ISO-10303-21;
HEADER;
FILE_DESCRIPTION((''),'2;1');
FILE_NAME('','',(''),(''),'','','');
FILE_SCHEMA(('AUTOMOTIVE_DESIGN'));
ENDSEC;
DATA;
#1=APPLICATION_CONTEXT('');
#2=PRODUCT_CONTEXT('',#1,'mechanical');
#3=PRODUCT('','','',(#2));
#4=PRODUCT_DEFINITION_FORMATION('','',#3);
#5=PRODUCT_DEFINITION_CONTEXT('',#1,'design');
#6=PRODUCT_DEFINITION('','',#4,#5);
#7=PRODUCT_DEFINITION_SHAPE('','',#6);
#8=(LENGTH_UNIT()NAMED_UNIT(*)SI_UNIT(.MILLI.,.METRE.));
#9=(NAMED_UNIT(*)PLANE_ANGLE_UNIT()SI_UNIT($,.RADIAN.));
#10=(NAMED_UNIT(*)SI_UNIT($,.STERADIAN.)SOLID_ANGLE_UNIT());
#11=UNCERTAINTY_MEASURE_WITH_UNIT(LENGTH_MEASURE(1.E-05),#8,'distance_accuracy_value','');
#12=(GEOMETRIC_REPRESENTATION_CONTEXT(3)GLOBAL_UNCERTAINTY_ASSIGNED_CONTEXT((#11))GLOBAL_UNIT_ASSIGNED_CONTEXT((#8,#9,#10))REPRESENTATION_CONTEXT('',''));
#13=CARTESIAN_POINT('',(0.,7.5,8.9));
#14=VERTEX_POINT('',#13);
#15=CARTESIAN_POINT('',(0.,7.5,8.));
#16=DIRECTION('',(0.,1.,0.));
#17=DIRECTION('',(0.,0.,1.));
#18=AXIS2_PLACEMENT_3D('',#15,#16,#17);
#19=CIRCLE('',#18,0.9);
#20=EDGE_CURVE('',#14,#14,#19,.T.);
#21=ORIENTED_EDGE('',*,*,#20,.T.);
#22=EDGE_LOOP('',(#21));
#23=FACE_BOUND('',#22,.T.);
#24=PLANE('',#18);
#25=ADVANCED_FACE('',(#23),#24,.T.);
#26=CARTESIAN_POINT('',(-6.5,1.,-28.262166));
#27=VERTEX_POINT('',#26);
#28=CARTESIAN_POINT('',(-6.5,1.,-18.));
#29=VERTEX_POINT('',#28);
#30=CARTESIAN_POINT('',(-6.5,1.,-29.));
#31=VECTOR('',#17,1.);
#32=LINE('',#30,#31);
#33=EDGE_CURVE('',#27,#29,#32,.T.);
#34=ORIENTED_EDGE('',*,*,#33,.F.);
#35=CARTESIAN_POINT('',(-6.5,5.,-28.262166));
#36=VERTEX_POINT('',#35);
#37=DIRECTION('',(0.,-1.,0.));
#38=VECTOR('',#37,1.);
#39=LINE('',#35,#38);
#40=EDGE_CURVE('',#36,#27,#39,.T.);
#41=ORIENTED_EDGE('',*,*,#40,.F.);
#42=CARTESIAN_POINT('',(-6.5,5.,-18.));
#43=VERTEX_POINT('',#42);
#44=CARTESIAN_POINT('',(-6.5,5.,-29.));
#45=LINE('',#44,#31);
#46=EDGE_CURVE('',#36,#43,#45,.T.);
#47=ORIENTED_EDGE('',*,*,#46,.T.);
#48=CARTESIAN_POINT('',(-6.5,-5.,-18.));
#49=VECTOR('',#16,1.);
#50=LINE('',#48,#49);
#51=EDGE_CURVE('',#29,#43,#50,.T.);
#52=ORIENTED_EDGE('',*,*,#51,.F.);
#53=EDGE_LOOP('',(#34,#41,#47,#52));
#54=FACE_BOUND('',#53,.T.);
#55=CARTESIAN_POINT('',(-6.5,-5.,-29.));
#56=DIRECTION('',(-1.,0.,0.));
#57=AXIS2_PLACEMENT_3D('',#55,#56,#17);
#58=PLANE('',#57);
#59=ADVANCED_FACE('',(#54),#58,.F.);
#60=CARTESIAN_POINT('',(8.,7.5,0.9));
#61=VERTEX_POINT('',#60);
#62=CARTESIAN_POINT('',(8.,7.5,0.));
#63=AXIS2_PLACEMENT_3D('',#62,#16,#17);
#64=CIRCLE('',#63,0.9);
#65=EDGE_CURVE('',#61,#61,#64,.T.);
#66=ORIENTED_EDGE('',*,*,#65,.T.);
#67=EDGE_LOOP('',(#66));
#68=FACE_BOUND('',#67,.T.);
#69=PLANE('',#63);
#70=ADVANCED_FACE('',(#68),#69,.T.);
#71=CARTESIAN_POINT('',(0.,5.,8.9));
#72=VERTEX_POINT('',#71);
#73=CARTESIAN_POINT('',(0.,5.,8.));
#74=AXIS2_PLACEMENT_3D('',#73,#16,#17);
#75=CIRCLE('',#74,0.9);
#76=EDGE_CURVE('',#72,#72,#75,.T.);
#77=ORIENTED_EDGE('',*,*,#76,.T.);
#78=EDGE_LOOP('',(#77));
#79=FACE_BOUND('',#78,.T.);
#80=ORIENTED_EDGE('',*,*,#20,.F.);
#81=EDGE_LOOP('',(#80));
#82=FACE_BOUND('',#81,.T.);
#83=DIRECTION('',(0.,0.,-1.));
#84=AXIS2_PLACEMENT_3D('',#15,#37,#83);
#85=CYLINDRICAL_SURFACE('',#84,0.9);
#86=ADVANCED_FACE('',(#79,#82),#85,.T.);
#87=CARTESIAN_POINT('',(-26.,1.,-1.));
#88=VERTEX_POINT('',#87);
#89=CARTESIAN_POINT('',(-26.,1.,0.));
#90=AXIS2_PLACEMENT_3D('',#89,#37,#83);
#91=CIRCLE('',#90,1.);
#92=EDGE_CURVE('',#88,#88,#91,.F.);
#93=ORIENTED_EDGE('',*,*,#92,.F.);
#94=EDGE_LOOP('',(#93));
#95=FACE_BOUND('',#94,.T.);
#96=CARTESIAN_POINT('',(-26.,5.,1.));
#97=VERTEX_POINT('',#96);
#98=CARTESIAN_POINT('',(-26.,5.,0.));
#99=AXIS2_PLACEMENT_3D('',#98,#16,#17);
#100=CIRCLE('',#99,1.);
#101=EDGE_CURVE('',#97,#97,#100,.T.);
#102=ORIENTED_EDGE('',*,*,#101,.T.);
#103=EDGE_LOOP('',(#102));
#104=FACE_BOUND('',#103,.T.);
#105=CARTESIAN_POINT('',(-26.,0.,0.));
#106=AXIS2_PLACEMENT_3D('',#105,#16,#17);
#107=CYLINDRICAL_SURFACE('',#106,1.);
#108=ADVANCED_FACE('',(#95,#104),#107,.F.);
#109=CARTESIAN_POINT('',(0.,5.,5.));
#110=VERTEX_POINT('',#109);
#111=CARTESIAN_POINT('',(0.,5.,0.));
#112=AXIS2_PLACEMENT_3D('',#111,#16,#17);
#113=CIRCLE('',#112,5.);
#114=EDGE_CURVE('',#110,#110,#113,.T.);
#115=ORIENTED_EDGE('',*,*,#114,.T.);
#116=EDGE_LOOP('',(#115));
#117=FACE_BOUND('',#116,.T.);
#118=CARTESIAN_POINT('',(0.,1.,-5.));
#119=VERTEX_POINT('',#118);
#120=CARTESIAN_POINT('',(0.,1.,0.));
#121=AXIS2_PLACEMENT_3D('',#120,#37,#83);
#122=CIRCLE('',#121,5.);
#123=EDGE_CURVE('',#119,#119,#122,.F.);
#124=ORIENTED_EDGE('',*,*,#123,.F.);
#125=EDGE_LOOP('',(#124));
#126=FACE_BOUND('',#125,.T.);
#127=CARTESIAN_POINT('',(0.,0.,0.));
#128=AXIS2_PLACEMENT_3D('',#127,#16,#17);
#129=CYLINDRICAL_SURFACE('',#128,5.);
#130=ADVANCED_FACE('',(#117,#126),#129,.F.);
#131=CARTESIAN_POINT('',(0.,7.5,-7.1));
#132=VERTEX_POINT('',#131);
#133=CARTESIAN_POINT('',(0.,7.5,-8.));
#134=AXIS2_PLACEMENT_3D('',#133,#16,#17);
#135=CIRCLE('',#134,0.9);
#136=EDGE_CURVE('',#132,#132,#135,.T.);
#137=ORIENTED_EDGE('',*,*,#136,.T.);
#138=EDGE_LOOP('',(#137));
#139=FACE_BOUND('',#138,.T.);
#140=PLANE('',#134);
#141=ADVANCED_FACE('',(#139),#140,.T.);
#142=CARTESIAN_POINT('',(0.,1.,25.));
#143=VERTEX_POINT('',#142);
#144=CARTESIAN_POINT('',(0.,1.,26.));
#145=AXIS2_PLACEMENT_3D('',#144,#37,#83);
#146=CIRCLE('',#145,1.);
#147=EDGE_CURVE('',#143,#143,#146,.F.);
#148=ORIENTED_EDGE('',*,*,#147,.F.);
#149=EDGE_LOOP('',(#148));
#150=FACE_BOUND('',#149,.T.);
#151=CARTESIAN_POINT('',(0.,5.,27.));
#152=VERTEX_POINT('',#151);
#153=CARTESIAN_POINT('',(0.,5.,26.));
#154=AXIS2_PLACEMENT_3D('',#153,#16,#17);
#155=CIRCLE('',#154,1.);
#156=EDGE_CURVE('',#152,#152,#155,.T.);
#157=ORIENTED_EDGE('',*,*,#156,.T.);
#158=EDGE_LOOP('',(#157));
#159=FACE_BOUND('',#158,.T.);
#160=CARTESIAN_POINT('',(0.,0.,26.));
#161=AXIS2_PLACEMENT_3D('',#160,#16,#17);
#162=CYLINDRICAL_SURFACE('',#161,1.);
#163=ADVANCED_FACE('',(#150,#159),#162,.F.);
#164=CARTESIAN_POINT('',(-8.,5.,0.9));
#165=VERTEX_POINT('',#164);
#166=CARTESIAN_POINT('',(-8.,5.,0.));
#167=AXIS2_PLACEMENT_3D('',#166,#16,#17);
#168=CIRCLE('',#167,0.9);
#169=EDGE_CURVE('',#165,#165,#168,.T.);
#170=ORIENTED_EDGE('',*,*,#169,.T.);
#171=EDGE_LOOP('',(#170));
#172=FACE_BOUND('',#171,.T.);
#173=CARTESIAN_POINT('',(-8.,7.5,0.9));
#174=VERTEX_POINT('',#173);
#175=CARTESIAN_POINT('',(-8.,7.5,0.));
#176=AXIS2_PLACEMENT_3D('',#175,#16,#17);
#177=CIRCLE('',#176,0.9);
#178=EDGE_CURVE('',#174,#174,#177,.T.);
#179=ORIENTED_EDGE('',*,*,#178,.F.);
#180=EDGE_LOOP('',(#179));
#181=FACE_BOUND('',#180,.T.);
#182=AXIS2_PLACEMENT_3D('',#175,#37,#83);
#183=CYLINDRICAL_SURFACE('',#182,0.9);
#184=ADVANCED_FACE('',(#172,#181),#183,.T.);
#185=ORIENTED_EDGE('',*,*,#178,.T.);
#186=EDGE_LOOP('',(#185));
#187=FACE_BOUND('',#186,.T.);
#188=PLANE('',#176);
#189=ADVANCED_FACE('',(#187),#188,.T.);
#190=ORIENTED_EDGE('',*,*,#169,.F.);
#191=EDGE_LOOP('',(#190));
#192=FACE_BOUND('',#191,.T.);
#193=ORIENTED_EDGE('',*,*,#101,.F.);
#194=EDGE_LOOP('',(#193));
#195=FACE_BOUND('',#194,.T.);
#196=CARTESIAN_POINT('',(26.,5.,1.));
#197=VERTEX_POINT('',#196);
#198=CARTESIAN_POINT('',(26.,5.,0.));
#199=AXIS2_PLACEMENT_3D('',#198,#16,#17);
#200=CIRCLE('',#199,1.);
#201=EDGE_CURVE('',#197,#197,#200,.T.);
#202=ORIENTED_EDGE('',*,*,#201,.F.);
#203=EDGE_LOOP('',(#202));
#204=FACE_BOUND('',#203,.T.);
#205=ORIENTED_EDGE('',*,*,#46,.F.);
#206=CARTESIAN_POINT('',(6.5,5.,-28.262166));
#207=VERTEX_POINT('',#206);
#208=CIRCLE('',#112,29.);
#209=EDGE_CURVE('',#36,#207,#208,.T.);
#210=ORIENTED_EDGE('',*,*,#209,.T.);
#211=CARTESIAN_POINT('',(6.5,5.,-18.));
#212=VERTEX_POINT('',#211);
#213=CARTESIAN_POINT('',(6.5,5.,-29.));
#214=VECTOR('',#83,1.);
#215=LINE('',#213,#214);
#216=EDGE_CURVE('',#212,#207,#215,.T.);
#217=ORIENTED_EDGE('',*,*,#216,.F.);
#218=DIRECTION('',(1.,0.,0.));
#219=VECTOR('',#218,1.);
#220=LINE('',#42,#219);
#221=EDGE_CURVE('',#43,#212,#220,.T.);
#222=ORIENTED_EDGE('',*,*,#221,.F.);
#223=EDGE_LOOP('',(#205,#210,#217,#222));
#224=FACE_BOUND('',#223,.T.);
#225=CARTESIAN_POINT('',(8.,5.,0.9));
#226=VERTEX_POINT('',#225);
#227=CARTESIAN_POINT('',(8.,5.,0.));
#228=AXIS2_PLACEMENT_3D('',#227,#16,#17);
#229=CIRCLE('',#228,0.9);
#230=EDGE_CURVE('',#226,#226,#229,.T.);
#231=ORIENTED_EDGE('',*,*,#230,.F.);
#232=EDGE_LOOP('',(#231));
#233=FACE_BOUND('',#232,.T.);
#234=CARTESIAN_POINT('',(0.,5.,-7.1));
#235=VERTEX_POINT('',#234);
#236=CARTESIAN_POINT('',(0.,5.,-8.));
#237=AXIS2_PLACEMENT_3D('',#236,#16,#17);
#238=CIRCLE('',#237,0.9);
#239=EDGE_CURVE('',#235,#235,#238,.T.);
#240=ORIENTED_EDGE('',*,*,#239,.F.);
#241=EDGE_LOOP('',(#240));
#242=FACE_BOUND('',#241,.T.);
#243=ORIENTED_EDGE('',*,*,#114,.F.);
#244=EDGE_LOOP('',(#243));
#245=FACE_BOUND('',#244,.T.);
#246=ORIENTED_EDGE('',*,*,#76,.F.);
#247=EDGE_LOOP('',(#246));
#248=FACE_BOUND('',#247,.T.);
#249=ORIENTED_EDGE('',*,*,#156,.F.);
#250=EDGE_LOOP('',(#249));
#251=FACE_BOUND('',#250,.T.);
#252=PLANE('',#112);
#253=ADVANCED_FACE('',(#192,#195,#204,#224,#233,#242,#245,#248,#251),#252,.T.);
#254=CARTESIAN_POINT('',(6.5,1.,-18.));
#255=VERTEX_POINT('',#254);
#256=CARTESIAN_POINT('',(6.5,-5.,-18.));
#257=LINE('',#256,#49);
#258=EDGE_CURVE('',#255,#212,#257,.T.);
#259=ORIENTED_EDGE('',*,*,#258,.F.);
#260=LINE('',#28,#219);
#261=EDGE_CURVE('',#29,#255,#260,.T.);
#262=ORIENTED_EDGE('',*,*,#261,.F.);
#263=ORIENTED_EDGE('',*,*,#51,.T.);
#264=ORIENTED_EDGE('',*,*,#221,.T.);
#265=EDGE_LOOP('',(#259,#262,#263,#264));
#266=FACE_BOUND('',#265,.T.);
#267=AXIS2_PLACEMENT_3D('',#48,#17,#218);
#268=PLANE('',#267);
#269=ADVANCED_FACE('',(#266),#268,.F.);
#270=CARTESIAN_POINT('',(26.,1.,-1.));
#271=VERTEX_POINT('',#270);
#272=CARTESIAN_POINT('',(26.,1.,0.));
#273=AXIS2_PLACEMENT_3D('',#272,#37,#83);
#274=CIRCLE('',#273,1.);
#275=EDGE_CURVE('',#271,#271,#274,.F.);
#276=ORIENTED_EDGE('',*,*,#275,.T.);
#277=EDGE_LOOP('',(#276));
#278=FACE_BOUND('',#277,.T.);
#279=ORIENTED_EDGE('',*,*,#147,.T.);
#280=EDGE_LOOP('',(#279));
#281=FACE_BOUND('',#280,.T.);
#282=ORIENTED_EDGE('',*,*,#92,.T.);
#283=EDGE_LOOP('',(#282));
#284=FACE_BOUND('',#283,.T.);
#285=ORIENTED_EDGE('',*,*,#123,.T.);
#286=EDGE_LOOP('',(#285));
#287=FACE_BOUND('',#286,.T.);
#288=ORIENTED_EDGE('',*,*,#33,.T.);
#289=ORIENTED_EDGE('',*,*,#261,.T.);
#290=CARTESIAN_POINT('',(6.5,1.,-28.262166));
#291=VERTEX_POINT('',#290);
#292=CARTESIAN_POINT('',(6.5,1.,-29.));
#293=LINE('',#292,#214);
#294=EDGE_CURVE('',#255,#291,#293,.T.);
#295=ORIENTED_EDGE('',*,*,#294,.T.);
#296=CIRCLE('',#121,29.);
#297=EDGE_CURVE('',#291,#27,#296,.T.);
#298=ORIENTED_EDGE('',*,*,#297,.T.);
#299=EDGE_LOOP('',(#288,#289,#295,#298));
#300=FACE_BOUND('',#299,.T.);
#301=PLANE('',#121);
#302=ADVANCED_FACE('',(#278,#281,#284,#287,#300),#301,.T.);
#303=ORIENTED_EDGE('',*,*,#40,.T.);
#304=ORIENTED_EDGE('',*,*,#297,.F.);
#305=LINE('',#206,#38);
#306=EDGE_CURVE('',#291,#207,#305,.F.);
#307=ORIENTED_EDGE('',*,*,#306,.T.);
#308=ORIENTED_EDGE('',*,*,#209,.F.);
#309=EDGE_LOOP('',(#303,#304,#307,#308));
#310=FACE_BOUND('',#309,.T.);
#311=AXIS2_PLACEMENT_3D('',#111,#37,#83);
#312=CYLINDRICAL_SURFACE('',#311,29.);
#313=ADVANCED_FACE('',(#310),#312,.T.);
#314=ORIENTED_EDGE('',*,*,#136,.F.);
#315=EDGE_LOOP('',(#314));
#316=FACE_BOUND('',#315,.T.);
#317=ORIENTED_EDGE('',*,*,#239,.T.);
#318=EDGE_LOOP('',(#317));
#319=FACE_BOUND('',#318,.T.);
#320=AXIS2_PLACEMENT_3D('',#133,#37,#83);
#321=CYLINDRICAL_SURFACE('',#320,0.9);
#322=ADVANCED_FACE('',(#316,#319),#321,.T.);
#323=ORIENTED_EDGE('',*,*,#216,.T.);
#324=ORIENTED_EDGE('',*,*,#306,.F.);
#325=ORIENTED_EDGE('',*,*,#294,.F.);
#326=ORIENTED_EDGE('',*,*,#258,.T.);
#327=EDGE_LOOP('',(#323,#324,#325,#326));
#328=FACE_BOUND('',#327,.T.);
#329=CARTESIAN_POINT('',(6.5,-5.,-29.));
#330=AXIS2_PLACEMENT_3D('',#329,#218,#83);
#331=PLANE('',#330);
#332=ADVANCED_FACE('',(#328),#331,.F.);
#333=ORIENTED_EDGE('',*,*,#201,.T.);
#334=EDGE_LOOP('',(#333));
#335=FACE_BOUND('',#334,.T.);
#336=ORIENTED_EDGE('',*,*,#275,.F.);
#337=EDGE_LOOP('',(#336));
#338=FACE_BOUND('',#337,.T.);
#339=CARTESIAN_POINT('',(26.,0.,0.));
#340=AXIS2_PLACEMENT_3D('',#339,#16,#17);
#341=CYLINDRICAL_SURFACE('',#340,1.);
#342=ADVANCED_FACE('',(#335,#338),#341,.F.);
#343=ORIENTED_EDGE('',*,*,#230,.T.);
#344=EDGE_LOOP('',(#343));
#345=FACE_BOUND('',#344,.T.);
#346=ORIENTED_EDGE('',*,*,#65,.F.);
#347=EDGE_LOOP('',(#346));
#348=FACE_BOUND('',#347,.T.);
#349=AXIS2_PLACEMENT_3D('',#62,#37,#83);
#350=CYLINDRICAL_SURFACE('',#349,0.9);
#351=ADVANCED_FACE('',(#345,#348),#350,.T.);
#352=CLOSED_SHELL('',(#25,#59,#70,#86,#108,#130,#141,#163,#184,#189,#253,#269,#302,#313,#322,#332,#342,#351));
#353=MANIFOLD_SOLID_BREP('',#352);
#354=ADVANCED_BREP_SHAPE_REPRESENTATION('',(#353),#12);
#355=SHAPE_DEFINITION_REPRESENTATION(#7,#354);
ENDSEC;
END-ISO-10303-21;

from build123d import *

# Parameters (mm, degrees)
SKETCH1_R           = 29
BOSS_EXTRUDE1_DEPTH = 5
SKETCH3_W           = 13
SKETCH3_H           = 11
CUT_EXTRUDE1_DEPTH  = 10
SKETCH4_R           = 0.9
BOSS_EXTRUDE2_DEPTH = 2.5
SKETCH7_R           = 5
CUT_EXTRUDE4_DEPTH  = 5
SKETCH11_R          = 1
CUT_EXTRUDE6_DEPTH  = 5
SKETCH12_R          = 29
CUT_EXTRUDE7_DEPTH  = 1


with BuildPart() as part:
    # Sketch1 → Boss-Extrude1 (new body)
    with BuildSketch(Plane(origin=(0, 0, 0), x_dir=(1, 0, 0), z_dir=(0, 1, 0))):
        with Locations(Location((0, 0, 0), (0, 0, 270))):
            Circle(SKETCH1_R)
    extrude(amount=BOSS_EXTRUDE1_DEPTH)

    # Sketch3 → Cut-Extrude1 (cut)
    with BuildSketch(Plane(origin=(0, 5, 0), x_dir=(1, 0, 0), z_dir=(0, 1, 0))):
        with Locations((0, 23.5)):
            Rectangle(SKETCH3_W, SKETCH3_H)
    extrude(amount=-CUT_EXTRUDE1_DEPTH, mode=Mode.SUBTRACT)

    # Sketch4 → Boss-Extrude2 (add)
    with BuildSketch(Plane(origin=(0, 5, 0), x_dir=(1, 0, 0), z_dir=(0, 1, 0))):
        with Locations(Location((8, 0, 0), (0, 0, 270))):
            Circle(SKETCH4_R)
        with Locations(Location((-8, 0, 0), (0, 0, 270))):
            Circle(SKETCH4_R)
        with Locations(Location((0, 8, 0), (0, 0, 270))):
            Circle(SKETCH4_R)
        with Locations(Location((0, -8, 0), (0, 0, 270))):
            Circle(SKETCH4_R)
    extrude(amount=BOSS_EXTRUDE2_DEPTH)

    # Sketch7 → Cut-Extrude4 (cut)
    with BuildSketch(Plane(origin=(0, 5, 0), x_dir=(1, 0, 0), z_dir=(0, 1, 0))):
        with Locations(Location((0, 0, 0), (0, 0, 270))):
            Circle(SKETCH7_R)
    extrude(amount=-CUT_EXTRUDE4_DEPTH, mode=Mode.SUBTRACT)

    # Sketch11 → Cut-Extrude6 (cut)
    with BuildSketch(Plane(origin=(0, 5, 0), x_dir=(1, 0, 0), z_dir=(0, 1, 0))):
        with Locations(Location((-26, 0, 0), (0, 0, 270))):
            Circle(SKETCH11_R)
        with Locations(Location((0, -26, 0), (0, 0, 270))):
            Circle(SKETCH11_R)
        with Locations(Location((26, 0, 0), (0, 0, 270))):
            Circle(SKETCH11_R)
    extrude(amount=-CUT_EXTRUDE6_DEPTH, mode=Mode.SUBTRACT)

    # Sketch12 → Cut-Extrude7 (cut)
    with BuildSketch(Plane(origin=(0, 0, 0), x_dir=(-1, 0, 0), z_dir=(0, -1, 0))):
        Circle(SKETCH12_R)
    extrude(amount=-CUT_EXTRUDE7_DEPTH, mode=Mode.SUBTRACT)


solid = part.part
